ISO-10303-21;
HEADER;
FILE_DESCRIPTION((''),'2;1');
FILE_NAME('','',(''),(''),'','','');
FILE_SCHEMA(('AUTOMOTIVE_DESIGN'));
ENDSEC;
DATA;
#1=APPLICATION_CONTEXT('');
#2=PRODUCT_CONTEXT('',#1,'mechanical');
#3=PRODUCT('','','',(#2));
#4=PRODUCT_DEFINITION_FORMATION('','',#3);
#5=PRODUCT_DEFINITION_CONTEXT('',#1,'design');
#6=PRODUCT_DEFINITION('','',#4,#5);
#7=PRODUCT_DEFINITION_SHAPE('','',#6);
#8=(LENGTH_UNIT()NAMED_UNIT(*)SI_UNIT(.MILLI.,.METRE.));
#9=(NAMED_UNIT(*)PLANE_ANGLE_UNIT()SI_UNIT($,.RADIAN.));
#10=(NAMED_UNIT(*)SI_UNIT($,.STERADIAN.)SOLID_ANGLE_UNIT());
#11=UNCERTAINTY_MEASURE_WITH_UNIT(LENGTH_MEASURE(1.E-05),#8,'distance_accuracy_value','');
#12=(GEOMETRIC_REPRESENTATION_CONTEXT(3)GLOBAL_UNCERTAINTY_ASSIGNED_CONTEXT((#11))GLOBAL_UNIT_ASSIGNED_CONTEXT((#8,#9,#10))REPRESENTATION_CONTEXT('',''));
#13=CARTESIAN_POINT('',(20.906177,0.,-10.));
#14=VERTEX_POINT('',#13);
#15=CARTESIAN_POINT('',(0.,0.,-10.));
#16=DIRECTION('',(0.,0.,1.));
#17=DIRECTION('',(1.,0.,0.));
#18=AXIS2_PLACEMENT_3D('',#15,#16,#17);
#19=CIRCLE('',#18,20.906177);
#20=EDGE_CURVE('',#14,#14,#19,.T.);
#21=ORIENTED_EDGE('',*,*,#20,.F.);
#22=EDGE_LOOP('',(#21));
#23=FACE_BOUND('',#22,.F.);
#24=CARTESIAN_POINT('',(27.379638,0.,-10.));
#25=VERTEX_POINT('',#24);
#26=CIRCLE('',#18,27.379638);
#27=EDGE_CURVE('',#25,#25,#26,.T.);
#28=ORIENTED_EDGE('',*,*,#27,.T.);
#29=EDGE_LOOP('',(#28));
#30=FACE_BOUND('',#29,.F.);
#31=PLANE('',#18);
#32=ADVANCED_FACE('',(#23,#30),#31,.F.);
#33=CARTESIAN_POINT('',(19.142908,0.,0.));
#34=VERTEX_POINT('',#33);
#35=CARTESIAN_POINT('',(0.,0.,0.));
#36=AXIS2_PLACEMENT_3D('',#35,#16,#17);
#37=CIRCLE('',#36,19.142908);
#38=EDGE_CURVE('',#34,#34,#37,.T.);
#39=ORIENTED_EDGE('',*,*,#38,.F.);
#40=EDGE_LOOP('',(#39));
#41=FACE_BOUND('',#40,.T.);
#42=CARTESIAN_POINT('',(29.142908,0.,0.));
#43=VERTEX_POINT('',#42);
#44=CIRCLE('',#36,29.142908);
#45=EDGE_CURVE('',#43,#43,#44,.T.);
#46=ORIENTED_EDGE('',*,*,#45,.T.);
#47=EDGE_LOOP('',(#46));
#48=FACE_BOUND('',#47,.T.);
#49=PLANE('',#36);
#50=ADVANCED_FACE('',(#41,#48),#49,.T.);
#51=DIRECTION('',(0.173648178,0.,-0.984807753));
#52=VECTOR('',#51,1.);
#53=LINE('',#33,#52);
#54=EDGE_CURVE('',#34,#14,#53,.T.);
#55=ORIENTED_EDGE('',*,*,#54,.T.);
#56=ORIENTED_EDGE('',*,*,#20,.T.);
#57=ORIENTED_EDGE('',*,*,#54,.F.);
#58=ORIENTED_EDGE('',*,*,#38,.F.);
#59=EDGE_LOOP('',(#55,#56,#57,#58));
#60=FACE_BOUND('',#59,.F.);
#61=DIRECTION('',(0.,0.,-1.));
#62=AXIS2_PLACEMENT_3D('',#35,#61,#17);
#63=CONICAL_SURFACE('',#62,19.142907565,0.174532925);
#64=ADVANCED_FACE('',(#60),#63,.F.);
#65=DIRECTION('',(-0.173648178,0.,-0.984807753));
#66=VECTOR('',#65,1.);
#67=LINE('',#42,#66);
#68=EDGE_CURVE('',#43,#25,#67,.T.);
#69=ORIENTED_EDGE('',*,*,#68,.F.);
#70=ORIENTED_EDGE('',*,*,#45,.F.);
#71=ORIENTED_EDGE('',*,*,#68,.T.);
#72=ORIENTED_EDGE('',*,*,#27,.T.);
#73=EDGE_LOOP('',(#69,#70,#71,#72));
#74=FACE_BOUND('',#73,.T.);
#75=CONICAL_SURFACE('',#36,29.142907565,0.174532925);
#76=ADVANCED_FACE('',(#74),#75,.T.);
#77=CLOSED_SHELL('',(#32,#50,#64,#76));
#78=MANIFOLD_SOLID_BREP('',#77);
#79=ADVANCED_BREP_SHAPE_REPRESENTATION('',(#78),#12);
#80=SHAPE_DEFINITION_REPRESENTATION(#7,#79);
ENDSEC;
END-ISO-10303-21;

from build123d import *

# Parameters (mm, degrees)
SKETCH_1_3_R    = 29.142907565
SKETCH_1_3_R_2  = 19.142907565
EXTRUDE_1_DEPTH = 10
EXTRUDE_1_DRAFT = -10


with BuildPart() as part:
    # Эскиз1<3> → Бобышка-Вытянуть1 (with draft: the straight prism first)
    with BuildSketch(Plane.XY):
        Circle(SKETCH_1_3_R)
        Circle(SKETCH_1_3_R_2, mode=Mode.SUBTRACT)
    extrude(amount=-EXTRUDE_1_DEPTH)
    # Бобышка-Вытянуть1: the draft: its side faces are tilted about the plane it starts from
    extrude_1_sides = [part.faces().sort_by_distance(p)[0] for p in [
        (-29.142907565, 0, -5),
        (-19.142907565, 0, -5),
    ]]
    draft(extrude_1_sides, Plane.XY, EXTRUDE_1_DRAFT)


solid = part.part
